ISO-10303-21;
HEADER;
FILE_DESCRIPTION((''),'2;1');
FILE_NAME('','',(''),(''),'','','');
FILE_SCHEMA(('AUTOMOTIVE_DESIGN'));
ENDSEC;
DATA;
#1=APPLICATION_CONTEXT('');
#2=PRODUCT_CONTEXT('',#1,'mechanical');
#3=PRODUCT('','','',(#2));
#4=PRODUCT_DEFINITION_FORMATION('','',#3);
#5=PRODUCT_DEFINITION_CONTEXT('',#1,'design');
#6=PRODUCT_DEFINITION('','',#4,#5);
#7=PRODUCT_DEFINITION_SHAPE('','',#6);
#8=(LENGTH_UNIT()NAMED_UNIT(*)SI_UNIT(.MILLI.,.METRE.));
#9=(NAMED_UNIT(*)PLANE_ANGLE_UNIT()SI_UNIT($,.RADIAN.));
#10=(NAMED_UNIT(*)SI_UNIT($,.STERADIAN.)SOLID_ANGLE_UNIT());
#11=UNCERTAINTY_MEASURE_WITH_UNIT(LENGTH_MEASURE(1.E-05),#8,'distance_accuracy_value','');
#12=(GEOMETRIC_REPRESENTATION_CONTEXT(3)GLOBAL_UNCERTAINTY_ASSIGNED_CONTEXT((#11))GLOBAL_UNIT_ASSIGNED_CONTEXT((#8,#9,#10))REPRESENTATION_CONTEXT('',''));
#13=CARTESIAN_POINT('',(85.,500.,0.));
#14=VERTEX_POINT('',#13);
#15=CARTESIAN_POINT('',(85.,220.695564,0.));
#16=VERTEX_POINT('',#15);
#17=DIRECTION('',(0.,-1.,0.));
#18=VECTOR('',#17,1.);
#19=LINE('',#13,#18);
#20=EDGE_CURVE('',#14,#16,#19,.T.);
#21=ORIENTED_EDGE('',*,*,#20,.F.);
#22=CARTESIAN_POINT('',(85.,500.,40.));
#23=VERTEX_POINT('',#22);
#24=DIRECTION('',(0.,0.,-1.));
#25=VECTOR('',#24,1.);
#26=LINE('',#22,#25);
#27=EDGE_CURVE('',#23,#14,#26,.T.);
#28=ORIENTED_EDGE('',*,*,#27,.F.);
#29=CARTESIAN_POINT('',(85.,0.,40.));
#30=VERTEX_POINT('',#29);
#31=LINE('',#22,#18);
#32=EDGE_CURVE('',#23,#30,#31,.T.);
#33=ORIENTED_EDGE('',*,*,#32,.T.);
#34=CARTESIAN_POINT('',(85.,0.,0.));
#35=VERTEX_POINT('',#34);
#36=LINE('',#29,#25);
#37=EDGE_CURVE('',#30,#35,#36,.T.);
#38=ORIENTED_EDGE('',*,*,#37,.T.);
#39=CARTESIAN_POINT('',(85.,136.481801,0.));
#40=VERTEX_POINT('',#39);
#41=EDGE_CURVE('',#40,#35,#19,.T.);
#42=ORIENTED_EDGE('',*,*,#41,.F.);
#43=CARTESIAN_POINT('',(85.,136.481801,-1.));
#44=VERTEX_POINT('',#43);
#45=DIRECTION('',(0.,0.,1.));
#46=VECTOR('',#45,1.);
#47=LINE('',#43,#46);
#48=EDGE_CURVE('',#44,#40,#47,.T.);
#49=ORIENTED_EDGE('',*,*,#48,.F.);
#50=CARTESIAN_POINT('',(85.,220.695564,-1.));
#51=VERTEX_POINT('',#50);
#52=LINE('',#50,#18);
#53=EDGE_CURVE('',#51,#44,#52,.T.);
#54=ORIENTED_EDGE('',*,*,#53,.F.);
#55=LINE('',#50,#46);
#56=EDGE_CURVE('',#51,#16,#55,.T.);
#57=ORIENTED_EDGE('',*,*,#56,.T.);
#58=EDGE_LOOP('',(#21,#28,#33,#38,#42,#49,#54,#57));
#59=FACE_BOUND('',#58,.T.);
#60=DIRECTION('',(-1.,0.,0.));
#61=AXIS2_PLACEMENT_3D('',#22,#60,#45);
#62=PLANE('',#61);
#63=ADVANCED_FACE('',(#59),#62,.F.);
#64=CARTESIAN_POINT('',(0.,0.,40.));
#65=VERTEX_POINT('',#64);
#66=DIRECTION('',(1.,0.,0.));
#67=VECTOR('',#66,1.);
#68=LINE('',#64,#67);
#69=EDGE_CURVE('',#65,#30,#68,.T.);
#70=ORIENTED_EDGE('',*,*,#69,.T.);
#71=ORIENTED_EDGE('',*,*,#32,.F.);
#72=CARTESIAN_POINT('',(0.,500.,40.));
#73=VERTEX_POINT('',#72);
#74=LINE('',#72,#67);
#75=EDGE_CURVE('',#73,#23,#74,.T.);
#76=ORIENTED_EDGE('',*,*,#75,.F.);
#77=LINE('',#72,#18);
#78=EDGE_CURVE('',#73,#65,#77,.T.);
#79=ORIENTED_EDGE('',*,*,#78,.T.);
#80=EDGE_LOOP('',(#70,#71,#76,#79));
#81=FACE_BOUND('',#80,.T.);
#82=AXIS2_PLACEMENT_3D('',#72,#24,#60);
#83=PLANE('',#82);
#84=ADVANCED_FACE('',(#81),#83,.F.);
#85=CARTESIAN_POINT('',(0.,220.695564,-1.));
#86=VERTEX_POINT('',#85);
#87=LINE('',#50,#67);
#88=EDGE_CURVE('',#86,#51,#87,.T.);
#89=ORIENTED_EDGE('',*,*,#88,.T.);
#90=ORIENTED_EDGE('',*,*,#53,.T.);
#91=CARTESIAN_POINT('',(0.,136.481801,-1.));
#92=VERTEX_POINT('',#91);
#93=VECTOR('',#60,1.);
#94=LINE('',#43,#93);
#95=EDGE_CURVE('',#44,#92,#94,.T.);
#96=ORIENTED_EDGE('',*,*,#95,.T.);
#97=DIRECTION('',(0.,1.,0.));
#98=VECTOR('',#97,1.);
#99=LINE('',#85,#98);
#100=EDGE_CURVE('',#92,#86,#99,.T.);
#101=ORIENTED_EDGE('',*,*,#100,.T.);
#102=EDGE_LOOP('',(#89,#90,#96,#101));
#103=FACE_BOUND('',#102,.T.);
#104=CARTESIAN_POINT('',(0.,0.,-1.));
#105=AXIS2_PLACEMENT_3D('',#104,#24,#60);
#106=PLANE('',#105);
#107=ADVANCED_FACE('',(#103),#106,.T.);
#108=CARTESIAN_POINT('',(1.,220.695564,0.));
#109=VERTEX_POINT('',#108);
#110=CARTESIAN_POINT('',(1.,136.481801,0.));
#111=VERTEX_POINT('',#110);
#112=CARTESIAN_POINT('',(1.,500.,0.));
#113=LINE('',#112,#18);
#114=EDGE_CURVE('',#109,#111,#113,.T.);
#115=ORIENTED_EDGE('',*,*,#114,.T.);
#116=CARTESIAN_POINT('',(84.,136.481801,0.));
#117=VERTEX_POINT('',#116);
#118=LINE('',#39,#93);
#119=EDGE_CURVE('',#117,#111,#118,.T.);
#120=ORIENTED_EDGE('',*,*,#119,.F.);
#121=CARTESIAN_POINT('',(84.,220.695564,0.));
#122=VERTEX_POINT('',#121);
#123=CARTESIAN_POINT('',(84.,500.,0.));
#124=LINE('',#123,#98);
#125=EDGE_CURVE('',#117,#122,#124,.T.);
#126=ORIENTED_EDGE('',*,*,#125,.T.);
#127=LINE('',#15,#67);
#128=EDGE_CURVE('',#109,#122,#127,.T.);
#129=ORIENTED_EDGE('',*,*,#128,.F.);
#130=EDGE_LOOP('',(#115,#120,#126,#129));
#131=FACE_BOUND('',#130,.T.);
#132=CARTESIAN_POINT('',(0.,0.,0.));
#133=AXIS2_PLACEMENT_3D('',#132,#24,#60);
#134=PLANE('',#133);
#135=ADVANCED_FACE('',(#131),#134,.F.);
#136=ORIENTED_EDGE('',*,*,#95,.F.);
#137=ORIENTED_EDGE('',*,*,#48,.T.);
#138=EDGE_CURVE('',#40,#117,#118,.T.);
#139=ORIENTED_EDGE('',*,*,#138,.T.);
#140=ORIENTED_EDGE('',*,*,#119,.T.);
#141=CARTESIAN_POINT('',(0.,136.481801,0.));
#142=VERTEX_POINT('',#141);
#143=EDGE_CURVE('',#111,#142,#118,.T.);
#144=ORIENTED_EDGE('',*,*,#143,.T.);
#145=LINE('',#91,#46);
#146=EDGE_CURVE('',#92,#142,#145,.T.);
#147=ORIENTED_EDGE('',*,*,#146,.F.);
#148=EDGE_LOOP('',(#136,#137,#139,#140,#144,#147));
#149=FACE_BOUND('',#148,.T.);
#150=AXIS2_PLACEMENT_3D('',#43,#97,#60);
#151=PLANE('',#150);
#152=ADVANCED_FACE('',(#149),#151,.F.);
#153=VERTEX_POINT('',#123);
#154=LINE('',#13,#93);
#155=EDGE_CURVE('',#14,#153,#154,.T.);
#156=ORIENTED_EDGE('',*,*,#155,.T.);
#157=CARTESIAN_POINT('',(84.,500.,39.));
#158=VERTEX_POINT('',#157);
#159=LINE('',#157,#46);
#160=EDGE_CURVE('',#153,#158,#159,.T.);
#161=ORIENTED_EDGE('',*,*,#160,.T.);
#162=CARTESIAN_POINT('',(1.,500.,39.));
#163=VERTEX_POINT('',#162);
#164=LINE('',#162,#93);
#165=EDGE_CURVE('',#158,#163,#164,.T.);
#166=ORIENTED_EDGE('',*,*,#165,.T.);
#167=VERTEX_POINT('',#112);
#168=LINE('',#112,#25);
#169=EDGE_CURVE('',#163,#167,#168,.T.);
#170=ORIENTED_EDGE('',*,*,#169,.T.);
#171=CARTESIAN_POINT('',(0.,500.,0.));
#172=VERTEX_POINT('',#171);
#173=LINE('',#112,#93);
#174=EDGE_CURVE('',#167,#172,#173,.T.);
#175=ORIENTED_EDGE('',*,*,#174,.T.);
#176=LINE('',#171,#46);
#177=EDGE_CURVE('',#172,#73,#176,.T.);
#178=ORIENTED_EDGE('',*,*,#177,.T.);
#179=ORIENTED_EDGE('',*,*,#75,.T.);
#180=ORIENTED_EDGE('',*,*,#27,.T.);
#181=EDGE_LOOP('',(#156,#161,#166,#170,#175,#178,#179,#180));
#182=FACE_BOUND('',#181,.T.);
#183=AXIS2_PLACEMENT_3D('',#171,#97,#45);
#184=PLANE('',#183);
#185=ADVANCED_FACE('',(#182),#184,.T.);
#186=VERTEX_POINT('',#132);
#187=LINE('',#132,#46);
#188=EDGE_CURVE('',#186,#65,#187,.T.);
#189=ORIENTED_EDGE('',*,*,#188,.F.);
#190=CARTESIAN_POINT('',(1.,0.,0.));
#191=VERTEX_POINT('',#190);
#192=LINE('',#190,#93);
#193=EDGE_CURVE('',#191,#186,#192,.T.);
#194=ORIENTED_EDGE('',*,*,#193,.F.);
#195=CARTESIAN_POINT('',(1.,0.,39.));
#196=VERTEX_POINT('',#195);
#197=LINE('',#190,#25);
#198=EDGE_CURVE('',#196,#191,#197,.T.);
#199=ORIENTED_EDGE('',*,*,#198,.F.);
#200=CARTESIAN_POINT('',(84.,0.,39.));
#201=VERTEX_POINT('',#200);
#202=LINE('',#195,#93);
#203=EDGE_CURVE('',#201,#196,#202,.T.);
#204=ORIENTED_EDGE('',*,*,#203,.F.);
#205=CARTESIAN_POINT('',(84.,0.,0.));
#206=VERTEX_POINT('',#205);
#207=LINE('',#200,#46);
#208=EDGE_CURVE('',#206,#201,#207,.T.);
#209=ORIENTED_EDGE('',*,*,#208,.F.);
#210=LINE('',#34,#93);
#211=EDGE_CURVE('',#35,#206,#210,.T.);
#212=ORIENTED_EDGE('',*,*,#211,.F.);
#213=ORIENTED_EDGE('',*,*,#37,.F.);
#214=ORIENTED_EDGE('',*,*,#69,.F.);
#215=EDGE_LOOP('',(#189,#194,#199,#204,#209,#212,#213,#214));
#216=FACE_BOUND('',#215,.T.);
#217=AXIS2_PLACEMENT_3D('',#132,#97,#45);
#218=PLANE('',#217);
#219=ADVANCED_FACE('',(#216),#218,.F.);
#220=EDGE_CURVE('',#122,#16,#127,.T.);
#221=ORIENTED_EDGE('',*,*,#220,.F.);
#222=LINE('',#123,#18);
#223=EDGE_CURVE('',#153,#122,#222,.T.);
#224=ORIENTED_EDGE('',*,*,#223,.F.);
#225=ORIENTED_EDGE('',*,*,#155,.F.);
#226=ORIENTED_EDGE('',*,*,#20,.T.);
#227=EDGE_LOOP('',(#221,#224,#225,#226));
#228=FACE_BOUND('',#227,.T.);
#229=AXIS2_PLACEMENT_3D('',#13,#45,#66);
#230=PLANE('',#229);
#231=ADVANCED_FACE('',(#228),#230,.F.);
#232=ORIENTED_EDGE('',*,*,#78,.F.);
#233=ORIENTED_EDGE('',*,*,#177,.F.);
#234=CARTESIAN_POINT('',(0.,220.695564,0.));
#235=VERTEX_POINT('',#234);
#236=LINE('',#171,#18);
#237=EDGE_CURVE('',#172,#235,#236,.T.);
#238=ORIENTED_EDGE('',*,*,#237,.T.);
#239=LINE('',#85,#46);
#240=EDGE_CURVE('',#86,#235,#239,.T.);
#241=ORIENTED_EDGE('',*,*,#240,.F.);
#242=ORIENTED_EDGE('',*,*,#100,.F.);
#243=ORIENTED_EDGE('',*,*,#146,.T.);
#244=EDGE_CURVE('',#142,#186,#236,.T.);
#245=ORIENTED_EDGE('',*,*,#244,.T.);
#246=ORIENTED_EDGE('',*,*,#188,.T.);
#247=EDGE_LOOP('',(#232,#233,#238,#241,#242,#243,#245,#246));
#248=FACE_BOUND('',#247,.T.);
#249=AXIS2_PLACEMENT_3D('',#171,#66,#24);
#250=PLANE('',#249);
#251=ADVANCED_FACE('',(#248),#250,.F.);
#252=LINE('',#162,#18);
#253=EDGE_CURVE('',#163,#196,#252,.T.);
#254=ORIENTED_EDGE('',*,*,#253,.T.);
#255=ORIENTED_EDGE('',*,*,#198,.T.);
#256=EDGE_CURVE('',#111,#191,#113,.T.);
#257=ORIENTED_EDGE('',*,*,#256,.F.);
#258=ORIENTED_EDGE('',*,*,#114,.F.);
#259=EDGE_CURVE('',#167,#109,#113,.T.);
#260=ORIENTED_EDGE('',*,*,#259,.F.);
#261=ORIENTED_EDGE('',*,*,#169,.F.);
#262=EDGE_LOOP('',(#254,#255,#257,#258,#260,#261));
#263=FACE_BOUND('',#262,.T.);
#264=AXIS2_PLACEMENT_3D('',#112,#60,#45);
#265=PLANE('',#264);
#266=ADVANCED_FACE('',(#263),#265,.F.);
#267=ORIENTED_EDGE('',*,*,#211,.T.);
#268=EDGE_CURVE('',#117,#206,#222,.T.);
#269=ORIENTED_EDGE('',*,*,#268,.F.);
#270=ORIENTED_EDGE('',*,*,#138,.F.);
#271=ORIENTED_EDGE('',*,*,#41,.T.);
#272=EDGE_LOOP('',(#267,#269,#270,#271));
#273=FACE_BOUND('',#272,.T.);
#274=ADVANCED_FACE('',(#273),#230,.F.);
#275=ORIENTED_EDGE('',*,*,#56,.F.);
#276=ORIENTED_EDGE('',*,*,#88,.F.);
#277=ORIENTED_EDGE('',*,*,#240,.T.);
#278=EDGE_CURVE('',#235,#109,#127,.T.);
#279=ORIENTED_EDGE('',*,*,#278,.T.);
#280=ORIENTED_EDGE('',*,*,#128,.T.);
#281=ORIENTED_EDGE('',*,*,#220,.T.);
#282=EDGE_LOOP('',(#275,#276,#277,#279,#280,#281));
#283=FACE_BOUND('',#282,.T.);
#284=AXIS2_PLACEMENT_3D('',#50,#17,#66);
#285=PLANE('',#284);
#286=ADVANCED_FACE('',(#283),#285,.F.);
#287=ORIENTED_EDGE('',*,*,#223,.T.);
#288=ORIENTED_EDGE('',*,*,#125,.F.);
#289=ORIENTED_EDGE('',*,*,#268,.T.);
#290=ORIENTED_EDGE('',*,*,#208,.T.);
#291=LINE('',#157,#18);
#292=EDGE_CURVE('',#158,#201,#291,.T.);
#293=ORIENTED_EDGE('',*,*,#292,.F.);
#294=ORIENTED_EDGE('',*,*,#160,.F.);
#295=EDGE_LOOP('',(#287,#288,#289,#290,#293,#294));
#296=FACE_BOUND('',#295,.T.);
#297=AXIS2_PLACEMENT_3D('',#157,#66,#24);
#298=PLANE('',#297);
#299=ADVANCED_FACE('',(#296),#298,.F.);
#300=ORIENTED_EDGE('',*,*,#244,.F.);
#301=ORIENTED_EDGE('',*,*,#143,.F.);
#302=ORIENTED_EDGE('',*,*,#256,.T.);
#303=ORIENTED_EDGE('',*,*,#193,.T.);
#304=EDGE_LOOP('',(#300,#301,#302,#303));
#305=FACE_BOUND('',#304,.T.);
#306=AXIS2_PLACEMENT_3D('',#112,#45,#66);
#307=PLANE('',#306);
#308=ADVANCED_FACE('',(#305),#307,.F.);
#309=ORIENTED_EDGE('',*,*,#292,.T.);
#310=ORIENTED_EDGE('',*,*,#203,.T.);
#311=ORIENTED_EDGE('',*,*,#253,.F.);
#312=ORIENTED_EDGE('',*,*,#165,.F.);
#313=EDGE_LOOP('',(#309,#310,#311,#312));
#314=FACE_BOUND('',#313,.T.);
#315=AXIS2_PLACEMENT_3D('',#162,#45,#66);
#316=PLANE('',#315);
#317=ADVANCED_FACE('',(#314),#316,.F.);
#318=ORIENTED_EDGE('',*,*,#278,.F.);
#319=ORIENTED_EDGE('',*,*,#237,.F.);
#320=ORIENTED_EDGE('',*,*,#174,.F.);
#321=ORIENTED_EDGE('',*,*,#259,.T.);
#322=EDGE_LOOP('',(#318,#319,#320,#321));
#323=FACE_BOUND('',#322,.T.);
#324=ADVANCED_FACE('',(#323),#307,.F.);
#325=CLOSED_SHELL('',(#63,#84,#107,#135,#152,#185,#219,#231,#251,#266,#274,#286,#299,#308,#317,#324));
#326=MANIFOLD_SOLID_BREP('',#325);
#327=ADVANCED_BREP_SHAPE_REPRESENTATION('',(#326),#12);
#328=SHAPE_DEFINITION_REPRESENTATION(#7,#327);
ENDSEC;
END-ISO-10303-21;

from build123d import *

# Parameters (mm, degrees)
BOSS_EXTRUDE1_DEPTH = 500
SKETCH2_W           = 85
SKETCH2_H           = 84.213763161
BOSS_EXTRUDE2_DEPTH = 1


with BuildPart() as part:
    # Sketch1 → Boss-Extrude1 (new body)
    with BuildSketch(Plane(origin=(0, 0, 0), x_dir=(1, 0, 0), z_dir=(0, 1, 0))):
        Polygon((0, 0), (0, -40), (85, -40), (85, 0), (84, 0), (84, -39), (1, -39), (1, 0), align=None)
    extrude(amount=BOSS_EXTRUDE1_DEPTH)

    # Sketch2 → Boss-Extrude2 (add)
    with BuildSketch(Plane(origin=(0, 0, 0), x_dir=(-1, 0, 0), z_dir=(0, 0, -1))):
        with Locations((-42.5, 178.588682327)):
            Rectangle(SKETCH2_W, SKETCH2_H)
    extrude(amount=BOSS_EXTRUDE2_DEPTH)


solid = part.part
